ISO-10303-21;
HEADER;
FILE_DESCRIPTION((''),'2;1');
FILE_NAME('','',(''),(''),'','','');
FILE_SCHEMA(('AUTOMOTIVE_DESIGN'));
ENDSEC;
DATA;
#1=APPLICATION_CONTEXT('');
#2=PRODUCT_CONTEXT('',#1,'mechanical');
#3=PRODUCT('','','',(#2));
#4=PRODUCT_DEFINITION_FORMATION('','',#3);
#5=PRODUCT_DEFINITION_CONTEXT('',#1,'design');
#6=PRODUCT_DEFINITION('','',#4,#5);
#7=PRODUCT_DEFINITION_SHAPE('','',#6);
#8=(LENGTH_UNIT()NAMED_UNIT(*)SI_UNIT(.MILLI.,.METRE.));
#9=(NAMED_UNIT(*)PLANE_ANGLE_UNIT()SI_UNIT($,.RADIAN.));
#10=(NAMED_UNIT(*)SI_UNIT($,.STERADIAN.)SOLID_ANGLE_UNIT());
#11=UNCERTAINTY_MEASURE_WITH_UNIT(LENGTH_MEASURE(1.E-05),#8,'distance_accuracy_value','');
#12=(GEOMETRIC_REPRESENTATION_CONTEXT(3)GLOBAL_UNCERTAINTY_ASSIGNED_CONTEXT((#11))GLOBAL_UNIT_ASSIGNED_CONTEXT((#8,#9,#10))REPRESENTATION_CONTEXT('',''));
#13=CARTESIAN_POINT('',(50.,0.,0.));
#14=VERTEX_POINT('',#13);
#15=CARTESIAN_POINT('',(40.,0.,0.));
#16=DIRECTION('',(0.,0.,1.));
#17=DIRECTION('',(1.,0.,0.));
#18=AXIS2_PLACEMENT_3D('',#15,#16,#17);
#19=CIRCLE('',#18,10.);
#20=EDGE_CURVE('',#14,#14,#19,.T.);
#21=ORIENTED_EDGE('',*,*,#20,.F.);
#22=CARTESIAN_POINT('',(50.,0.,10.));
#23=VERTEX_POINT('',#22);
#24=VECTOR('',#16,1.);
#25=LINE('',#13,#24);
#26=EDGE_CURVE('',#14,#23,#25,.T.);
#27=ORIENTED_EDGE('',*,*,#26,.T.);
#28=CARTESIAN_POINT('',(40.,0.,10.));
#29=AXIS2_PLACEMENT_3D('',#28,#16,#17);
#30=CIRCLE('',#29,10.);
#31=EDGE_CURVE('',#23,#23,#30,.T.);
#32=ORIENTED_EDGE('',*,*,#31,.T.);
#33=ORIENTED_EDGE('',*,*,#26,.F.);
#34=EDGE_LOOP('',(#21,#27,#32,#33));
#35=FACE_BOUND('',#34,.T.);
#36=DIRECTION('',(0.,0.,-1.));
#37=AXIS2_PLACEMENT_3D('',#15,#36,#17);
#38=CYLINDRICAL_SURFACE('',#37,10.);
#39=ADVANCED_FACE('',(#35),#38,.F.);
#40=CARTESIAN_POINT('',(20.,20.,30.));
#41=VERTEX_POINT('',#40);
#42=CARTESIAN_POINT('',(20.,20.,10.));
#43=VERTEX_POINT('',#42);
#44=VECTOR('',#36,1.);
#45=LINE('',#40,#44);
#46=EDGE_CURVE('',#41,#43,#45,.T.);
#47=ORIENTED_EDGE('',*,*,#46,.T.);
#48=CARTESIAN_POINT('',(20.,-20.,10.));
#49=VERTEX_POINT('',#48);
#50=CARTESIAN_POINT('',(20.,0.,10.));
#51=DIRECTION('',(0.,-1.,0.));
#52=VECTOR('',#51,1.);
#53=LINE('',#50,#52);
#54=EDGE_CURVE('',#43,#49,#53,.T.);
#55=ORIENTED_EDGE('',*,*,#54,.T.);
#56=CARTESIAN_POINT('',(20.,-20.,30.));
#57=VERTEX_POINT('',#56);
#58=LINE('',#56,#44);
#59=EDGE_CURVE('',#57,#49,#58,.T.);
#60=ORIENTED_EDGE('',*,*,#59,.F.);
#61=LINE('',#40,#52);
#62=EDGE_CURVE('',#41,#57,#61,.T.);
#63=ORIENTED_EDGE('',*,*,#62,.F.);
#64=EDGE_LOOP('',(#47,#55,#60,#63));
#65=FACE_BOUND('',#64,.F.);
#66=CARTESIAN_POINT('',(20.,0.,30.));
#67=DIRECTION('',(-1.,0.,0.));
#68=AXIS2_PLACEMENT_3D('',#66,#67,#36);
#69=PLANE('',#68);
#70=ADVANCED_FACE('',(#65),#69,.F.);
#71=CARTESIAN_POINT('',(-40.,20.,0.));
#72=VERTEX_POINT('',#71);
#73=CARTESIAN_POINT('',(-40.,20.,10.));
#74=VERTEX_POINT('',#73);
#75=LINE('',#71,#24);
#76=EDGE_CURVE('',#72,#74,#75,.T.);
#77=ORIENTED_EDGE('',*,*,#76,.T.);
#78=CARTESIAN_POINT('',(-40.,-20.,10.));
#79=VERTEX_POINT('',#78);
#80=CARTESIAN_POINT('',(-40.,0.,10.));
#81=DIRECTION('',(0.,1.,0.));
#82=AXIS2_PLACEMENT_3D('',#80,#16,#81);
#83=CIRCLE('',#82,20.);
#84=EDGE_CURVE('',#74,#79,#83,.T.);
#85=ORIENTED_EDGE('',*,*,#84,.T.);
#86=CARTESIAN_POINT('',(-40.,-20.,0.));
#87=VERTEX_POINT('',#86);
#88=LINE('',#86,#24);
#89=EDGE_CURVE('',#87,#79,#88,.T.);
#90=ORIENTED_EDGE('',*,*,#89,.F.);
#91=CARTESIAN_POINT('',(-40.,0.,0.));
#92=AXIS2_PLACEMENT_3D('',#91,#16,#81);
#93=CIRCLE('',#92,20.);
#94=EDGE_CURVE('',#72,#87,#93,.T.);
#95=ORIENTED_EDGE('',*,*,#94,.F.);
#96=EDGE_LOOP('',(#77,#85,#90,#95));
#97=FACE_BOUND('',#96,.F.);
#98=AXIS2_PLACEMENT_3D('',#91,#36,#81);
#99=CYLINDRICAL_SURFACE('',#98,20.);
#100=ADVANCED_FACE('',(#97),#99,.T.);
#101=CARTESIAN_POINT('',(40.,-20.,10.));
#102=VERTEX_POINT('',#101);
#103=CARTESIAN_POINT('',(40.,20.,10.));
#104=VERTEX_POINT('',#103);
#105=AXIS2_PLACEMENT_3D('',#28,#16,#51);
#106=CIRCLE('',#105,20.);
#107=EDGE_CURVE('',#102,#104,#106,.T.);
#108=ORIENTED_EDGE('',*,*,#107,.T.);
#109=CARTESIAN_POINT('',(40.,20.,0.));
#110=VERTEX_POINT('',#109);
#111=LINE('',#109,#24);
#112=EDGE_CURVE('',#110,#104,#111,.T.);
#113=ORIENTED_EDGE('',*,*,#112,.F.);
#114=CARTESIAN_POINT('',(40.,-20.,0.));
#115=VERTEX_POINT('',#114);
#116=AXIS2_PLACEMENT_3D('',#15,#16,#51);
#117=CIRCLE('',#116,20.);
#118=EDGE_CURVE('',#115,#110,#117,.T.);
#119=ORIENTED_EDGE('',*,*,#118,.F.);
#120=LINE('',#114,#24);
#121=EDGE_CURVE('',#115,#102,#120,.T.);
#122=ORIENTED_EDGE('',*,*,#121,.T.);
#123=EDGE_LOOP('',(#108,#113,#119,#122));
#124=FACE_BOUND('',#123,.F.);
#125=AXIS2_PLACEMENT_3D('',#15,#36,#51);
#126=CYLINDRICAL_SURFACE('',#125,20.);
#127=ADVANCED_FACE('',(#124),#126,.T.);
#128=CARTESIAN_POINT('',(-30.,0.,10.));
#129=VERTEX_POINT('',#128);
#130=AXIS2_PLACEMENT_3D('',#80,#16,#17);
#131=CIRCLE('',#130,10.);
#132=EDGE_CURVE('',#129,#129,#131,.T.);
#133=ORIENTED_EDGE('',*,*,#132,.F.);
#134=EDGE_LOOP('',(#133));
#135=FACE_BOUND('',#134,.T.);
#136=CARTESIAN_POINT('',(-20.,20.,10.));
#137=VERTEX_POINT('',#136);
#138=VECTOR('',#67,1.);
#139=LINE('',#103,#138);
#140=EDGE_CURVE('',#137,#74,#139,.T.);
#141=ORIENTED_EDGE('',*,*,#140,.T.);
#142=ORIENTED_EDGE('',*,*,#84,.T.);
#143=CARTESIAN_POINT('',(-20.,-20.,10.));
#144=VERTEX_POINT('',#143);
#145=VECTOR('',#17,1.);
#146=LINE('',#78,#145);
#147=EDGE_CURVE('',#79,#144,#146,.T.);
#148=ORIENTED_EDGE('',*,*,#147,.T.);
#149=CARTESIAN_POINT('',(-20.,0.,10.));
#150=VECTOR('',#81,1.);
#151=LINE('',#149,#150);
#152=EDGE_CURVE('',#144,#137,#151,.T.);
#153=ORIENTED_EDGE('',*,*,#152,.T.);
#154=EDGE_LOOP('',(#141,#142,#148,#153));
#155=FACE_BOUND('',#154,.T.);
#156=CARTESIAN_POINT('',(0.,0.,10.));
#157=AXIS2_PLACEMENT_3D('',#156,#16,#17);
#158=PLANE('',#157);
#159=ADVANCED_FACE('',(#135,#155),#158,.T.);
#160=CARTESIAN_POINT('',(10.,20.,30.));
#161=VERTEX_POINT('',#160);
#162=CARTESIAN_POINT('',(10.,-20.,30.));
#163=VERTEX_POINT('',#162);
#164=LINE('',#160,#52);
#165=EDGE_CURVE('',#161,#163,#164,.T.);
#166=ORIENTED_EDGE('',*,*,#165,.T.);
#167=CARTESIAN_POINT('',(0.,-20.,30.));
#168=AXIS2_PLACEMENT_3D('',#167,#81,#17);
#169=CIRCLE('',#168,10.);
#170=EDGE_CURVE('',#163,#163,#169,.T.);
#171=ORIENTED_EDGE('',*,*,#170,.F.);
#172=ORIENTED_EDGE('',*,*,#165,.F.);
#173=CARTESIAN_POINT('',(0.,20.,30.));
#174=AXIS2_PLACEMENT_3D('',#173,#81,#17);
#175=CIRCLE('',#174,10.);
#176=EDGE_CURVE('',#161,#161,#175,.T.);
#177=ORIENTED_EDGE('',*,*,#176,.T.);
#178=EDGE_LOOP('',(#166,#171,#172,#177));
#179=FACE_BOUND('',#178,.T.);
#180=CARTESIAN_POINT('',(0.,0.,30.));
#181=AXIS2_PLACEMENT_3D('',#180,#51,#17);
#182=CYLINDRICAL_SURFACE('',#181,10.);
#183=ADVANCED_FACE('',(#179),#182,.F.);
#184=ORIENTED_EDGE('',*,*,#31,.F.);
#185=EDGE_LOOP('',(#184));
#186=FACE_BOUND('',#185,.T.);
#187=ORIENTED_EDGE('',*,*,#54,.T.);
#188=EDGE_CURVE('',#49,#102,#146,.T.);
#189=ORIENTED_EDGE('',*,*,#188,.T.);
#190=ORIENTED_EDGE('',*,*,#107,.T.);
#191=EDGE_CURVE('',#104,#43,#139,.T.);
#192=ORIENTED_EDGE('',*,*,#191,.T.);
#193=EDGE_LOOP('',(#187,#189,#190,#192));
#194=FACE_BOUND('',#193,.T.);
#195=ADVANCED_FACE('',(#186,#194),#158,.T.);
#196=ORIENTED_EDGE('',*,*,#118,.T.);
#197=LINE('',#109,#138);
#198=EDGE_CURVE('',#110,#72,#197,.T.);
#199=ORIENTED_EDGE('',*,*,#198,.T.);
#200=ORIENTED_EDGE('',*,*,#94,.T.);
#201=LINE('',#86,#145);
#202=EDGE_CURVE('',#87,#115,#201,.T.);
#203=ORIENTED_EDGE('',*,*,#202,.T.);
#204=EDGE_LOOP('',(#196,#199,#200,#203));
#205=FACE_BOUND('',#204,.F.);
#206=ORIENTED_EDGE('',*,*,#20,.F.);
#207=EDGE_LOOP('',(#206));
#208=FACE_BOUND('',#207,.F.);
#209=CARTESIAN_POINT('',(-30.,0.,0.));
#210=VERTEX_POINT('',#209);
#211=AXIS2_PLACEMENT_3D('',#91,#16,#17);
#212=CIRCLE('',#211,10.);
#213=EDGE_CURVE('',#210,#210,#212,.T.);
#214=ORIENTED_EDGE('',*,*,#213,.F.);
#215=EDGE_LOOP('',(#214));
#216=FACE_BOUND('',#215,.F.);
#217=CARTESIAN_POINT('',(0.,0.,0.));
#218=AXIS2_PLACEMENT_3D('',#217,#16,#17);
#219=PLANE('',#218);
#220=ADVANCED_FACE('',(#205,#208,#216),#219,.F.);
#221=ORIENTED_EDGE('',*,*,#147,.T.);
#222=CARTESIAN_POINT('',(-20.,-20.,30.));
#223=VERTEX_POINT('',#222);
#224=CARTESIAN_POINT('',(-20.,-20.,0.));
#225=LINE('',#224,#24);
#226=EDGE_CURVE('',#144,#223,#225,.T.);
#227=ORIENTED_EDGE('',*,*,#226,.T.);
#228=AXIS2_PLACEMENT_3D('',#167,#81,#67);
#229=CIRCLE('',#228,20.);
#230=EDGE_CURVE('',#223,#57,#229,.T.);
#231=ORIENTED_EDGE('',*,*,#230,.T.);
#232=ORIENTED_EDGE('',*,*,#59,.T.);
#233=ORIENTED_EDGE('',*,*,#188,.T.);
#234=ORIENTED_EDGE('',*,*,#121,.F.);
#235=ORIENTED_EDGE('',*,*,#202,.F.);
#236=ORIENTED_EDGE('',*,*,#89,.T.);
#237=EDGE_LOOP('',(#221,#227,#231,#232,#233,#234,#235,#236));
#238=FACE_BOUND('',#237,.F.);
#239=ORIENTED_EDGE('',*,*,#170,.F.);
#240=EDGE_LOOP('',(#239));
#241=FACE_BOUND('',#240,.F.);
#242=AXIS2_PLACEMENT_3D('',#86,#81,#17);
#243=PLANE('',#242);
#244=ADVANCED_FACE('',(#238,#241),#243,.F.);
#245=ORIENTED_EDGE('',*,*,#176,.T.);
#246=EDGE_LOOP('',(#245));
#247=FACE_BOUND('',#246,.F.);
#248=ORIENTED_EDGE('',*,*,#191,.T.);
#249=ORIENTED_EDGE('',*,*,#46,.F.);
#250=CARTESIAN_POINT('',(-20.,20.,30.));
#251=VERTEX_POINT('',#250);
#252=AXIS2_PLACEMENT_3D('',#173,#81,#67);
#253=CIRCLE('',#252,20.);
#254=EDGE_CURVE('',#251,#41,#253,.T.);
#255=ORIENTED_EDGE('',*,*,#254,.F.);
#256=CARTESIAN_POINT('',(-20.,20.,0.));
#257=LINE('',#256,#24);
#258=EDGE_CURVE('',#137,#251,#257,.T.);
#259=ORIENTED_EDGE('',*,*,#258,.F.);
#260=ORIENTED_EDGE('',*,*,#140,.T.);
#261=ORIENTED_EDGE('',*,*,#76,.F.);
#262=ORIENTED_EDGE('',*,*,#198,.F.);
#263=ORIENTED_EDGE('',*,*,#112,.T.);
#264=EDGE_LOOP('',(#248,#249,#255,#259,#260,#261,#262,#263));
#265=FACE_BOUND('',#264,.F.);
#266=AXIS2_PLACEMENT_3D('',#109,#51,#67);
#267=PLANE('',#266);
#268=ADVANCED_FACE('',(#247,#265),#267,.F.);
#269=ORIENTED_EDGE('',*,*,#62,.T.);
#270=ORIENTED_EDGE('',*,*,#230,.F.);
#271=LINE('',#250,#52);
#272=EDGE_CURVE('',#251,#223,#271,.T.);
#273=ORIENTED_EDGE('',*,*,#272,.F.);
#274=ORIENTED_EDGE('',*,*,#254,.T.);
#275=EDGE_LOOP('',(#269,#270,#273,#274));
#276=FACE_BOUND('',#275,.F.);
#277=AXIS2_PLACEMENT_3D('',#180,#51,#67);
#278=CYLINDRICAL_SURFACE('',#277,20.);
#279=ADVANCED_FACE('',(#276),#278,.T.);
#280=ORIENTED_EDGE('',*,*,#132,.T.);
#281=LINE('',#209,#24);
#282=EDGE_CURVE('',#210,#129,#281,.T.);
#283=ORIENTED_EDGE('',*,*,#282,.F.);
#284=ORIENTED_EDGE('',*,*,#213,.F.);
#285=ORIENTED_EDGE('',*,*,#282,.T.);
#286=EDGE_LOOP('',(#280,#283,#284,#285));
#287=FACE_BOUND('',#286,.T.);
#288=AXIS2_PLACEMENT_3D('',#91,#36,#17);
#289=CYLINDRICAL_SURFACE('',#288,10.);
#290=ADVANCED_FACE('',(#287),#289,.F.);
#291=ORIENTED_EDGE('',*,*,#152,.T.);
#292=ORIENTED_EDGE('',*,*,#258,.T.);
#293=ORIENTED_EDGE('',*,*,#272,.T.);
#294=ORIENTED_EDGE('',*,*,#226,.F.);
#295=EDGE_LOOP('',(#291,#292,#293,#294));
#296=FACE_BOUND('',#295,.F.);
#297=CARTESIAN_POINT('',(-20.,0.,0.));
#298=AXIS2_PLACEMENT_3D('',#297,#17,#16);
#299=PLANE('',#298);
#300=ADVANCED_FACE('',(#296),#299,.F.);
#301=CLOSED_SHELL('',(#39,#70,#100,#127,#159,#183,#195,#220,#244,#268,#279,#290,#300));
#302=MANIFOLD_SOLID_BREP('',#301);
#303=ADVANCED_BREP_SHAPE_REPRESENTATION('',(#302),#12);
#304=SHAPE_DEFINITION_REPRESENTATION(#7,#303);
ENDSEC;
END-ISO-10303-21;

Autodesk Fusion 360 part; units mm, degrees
sketch "Sketch1" plane through (0, 0, 0) normal (0, 0, 1) x (1, 0, 0)
  line L0 (40, 20) -> (-40, 20)
  line L1 (-40, -20) -> (40, -20)
  circle A0 centre (40, 0) radius 10
  circle A1 centre (-40, 0) radius 10
  arc A2 (40, -20) -> (40, 20) centre (40, 0) ccw
  arc A3 (-40, 20) -> (-40, -20) centre (-40, 0) ccw
  dimension "d1" = 80
  dimension "d2" = 40
  dimension "d5" = 40
  dimension "d6" = 40
extrude "Extrude1" add sketch "Sketch1" along normal blind 10
sketch "Sketch2" plane through (0, 0, 0) normal (0, 1, 0) x (1, 0, 0)
  line L0 (20, 0) -> (-20, 0)
  line L1 (-20, 0) -> (-20, -30)
  line L2 (20, -30) -> (20, 0)
  line L3 (40, 0) -> (40, -10)
  circle A0 centre (0, -30) radius 10
  arc A1 (-20, -30) -> (20, -30) centre (0, -30) ccw
  dimension "d11" = 40
  dimension "d12" = 20
  dimension "d14" = 20
  dimension "d15" = 20
extrude "Extrude2" add sketch "Sketch2" along normal mid plane 40
